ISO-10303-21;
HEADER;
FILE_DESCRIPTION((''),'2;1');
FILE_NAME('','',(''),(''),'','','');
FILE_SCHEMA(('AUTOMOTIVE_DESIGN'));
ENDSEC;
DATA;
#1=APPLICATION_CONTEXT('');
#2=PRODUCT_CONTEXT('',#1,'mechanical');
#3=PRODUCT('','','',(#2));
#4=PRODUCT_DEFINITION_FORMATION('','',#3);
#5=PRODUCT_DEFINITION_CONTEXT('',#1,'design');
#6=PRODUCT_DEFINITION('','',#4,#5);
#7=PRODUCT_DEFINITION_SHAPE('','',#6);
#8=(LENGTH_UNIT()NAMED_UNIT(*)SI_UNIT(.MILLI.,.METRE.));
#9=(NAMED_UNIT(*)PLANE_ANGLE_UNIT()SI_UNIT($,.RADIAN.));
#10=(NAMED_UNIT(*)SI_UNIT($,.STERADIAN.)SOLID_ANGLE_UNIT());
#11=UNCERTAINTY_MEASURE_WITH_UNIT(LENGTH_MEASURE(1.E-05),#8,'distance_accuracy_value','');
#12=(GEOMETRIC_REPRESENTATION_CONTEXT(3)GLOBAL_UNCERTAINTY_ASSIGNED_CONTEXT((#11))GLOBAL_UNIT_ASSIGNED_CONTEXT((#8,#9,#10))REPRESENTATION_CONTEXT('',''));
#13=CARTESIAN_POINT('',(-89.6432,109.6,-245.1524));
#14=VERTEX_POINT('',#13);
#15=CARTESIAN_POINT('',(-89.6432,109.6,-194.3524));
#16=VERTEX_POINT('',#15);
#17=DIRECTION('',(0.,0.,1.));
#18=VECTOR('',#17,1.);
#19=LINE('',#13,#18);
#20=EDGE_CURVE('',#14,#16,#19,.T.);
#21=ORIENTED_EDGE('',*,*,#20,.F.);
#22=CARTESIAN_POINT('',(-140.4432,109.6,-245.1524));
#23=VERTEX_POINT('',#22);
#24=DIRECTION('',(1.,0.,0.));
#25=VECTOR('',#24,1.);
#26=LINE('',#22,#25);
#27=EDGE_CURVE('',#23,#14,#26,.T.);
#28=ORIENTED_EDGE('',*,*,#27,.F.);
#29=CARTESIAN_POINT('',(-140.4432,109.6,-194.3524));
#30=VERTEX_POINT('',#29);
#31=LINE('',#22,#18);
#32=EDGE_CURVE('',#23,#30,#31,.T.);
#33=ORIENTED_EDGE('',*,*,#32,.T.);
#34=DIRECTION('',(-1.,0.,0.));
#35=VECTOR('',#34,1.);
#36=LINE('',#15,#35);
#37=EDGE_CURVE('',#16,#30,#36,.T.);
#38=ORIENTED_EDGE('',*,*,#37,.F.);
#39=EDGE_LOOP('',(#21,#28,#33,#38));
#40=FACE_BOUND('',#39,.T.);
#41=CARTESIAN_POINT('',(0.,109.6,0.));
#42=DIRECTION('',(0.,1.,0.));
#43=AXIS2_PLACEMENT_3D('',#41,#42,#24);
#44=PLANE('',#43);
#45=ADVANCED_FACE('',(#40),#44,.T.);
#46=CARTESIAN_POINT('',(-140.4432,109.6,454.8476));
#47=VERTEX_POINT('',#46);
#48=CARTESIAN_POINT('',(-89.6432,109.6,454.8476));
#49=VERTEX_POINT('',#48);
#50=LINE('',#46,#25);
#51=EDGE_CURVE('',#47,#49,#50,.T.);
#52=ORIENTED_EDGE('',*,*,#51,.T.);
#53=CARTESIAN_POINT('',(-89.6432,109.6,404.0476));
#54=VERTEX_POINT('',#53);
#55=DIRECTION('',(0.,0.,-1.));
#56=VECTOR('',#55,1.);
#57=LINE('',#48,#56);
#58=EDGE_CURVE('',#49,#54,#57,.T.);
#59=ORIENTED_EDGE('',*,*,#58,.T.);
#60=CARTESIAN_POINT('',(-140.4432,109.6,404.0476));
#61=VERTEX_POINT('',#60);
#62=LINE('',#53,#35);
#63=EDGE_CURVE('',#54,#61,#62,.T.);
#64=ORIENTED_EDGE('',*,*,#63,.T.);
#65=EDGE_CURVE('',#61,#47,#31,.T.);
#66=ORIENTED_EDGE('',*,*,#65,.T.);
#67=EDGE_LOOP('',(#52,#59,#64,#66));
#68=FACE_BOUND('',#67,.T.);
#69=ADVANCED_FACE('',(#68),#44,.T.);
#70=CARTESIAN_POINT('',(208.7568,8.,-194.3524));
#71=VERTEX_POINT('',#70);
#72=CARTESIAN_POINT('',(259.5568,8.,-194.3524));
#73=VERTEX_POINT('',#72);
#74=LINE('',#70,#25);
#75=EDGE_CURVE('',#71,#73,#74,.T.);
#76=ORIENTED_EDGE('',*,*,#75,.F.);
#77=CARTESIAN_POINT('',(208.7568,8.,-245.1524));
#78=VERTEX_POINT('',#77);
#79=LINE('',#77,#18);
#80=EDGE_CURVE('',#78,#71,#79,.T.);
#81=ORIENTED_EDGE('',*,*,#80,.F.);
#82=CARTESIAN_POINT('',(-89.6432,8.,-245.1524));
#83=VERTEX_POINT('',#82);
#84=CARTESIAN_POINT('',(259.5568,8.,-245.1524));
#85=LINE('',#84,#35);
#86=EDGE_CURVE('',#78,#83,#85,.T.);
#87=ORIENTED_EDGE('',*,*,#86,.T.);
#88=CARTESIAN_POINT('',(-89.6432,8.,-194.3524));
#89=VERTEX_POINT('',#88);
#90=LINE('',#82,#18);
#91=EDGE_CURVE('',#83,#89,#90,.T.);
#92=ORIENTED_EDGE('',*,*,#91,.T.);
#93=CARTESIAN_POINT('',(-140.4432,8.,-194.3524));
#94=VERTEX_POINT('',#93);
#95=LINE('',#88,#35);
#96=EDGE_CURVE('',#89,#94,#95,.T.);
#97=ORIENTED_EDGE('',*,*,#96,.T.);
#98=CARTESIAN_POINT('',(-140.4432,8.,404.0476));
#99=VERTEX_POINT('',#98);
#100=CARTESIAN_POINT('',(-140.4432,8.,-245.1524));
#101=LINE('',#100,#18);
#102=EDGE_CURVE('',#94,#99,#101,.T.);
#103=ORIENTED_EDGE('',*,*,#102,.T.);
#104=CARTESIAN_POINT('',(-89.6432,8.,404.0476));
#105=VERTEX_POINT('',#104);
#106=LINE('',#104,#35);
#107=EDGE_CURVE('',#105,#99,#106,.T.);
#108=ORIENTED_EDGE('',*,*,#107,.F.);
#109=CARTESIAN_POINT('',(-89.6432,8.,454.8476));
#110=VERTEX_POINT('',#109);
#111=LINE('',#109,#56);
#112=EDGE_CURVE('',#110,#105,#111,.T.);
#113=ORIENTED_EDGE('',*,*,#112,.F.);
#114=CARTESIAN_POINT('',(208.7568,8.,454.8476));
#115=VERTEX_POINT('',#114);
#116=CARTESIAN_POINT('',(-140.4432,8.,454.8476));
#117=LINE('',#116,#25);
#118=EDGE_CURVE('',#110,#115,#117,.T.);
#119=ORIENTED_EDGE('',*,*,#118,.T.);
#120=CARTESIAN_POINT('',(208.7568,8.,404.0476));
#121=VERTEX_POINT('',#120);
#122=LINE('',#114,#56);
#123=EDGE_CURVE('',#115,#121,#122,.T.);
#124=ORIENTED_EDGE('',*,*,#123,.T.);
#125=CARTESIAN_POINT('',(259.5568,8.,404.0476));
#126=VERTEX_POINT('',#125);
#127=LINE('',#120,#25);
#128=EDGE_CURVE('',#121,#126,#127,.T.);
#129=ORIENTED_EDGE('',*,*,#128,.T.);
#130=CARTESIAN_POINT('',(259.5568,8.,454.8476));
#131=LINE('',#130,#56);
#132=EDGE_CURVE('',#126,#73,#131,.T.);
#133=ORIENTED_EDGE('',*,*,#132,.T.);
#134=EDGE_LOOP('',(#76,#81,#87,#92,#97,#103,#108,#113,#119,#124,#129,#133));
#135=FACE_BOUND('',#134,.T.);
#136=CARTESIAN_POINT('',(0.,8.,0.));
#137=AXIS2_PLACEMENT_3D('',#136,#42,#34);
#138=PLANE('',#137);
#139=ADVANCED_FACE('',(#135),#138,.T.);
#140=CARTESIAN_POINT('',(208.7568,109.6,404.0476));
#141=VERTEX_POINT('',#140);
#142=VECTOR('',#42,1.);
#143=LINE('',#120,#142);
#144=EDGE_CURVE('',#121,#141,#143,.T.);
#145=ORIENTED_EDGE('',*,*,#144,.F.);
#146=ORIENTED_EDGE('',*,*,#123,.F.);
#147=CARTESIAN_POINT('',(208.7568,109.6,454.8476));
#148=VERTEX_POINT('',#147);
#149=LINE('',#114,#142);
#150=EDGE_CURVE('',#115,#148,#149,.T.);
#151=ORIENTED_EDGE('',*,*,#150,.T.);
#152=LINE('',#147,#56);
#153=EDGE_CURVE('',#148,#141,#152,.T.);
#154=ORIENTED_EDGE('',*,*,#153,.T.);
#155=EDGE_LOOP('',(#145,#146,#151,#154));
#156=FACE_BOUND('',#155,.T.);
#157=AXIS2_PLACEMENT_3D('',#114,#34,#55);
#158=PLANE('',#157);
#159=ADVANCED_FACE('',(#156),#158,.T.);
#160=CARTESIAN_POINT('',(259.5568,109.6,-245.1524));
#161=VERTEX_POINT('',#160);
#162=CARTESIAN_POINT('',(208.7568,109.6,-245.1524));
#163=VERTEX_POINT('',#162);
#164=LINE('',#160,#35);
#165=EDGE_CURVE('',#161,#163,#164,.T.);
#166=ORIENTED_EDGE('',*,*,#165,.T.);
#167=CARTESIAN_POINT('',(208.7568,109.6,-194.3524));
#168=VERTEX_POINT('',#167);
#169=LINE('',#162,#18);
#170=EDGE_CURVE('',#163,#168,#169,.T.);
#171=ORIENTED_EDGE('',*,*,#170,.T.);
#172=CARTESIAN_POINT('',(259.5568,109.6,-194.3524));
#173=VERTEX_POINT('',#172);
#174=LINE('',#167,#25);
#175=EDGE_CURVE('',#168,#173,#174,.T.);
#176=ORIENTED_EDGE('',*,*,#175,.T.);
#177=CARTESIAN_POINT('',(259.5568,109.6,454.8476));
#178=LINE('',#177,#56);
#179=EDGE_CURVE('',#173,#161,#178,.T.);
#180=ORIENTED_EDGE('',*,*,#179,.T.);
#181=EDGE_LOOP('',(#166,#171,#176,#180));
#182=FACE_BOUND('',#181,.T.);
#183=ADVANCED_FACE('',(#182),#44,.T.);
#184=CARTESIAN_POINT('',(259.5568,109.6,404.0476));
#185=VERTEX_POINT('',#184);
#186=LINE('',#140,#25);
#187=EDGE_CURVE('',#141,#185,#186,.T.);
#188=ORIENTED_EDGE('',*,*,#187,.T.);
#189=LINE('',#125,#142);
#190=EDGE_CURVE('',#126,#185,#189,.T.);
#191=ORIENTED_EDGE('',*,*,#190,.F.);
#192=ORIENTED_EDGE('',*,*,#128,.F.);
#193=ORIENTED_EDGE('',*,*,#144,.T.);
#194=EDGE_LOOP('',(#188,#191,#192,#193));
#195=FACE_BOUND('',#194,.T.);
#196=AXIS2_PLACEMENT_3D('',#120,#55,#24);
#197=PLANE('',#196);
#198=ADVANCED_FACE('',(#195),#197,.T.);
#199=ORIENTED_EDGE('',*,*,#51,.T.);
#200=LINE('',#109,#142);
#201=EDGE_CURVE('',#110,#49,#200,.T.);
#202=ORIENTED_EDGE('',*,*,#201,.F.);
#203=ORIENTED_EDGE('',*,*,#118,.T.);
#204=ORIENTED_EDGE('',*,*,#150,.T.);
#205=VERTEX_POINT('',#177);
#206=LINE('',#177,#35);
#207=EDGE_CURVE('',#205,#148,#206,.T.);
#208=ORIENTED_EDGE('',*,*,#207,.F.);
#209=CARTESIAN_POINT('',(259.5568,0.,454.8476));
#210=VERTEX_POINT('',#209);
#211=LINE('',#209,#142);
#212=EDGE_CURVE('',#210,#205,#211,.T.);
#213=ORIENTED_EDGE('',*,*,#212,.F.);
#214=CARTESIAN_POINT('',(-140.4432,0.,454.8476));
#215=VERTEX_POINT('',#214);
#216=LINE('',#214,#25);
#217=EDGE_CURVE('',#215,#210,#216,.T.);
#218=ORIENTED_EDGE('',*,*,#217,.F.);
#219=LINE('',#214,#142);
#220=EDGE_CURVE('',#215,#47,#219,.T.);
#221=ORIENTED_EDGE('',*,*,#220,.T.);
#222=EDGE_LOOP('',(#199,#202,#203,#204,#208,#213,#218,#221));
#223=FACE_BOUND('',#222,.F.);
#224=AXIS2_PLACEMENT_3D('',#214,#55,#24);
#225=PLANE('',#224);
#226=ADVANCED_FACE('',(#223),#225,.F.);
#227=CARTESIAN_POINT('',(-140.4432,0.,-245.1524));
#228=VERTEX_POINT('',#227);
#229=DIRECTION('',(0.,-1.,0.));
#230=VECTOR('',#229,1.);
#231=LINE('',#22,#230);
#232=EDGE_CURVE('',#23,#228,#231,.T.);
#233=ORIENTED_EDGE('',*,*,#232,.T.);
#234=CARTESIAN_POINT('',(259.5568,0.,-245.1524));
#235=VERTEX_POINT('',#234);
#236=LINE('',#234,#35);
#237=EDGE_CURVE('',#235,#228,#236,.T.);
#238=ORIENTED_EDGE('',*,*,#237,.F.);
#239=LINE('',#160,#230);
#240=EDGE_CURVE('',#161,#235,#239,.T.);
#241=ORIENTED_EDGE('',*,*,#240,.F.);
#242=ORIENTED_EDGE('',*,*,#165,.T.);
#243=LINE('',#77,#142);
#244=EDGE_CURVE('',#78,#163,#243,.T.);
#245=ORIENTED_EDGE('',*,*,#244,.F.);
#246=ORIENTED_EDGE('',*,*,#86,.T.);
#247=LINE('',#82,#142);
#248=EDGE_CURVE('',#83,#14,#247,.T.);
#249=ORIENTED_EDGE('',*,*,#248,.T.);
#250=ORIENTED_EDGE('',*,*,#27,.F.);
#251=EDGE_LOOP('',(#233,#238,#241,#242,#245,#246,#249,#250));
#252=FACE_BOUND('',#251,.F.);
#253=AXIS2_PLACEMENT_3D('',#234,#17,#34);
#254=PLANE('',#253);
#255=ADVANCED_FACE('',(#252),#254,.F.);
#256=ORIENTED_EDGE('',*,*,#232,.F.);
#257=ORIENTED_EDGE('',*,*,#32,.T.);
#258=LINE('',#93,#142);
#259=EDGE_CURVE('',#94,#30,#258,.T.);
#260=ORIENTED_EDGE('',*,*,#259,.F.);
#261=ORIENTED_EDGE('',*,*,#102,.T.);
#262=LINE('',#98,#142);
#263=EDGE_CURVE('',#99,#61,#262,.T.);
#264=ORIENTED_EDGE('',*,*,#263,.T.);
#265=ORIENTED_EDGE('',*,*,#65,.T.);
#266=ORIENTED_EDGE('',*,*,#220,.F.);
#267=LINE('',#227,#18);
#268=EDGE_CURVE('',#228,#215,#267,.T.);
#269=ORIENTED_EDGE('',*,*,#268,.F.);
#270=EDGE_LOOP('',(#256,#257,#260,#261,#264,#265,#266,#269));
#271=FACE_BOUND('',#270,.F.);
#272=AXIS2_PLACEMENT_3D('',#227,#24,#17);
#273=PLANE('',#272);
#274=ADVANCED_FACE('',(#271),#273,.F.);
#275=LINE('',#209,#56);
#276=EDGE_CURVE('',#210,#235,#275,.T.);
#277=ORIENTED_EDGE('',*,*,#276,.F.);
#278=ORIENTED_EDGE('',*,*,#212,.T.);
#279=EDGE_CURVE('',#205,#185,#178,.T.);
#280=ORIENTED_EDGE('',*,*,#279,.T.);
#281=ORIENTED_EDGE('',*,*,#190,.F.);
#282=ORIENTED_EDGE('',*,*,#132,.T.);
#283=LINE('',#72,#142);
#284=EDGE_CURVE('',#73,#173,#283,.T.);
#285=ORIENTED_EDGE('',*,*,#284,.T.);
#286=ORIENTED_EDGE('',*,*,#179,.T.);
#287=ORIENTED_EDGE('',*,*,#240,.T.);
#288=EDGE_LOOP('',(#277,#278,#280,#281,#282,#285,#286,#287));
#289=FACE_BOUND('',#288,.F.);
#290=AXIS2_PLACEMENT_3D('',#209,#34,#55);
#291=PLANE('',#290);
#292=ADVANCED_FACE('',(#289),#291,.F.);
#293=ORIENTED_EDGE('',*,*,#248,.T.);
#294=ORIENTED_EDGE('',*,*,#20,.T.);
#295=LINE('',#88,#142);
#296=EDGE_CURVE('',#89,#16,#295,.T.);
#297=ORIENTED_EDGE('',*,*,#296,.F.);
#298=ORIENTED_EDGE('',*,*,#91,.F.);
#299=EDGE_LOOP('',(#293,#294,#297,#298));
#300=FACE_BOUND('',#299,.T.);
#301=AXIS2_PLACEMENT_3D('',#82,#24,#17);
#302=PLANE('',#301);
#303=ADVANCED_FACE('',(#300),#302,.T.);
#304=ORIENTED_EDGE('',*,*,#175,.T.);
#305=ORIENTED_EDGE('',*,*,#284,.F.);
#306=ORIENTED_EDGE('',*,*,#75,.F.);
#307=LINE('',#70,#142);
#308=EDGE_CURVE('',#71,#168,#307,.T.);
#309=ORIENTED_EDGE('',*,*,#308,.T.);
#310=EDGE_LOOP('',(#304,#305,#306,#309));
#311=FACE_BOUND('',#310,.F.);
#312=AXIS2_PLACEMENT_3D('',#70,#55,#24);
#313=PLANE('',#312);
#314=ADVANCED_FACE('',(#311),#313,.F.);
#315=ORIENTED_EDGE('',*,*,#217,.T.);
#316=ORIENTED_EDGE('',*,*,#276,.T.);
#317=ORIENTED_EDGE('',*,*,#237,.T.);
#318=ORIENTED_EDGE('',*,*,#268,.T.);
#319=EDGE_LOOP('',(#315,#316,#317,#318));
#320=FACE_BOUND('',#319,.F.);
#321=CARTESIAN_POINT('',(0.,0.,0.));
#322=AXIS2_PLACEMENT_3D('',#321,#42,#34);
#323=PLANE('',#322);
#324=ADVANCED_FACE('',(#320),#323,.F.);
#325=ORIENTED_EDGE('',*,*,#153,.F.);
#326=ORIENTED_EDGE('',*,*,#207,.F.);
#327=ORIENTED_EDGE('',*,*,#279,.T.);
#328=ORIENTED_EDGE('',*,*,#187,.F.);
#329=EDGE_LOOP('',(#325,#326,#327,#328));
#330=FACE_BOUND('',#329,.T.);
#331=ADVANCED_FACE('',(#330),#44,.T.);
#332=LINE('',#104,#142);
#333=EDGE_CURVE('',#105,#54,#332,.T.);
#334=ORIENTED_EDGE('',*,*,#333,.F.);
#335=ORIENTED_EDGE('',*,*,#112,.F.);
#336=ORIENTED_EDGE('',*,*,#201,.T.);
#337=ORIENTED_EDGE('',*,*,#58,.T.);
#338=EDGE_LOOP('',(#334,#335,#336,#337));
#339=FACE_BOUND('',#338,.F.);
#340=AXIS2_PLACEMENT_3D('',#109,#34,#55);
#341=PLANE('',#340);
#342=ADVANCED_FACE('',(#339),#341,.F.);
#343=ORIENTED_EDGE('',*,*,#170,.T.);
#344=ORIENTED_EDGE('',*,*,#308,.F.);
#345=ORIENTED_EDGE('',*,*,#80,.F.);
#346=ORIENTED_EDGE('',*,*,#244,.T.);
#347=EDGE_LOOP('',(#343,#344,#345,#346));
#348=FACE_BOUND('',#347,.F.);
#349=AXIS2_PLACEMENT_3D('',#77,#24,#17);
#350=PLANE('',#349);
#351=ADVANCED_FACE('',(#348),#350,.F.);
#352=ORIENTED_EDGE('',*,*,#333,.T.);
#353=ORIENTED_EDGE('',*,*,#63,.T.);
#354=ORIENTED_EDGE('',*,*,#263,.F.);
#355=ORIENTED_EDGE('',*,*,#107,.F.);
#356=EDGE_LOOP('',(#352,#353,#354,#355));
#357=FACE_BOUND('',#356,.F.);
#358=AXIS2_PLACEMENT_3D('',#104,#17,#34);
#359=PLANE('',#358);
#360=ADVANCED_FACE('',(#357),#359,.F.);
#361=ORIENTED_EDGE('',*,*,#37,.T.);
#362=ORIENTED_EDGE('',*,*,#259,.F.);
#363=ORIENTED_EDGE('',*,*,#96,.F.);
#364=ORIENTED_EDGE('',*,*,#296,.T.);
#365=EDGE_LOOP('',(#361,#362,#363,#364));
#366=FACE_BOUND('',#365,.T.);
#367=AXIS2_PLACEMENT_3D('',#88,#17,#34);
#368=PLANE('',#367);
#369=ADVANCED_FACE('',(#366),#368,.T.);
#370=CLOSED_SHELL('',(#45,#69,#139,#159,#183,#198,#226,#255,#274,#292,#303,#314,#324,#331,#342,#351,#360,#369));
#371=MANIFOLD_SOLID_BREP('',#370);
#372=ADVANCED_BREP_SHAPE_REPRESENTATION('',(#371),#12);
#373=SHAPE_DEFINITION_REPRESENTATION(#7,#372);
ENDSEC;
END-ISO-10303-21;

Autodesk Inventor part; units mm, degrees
ref_plane "YZ Plane" through (0, 0, 0) normal (1, 0, 0) x (0, 1, 0)
ref_plane "XZ Plane" through (0, 0, 0) normal (0, 1, 0) x (-1, 0, 0)
ref_plane "XY Plane" through (0, 0, 0) normal (0, 0, 1) x (1, 0, 0)
sketch "Sketch1" plane through (0, 0, 0) normal (0, 1, 0) x (-1, 0, 0)
  line L0 (140.4432, 454.8476) -> (-259.5568, 454.8476)
  line L1 (-259.5568, 454.8476) -> (-259.5568, -245.1524)
  line L2 (-259.5568, -245.1524) -> (140.4432, -245.1524)
  line L3 (140.4432, -245.1524) -> (140.4432, 454.8476)
  point P0 (0, 0)
  dimension "d0" = 700
  dimension "d1" = 400
extrude "Extrusion1" add sketch "Sketch1" along normal blind 8
sketch "Sketch2" plane through (0, 8, 0) normal (0, 1, 0) x (1, 0, 0)
  line L0 (-140.4432, 245.1524) -> (-140.4432, -454.8476) projected
  line L1 (-140.4432, -454.8476) -> (-89.6432, -454.8476)
  line L2 (-89.6432, -454.8476) -> (-89.6432, -404.0476)
  line L3 (-89.6432, -404.0476) -> (-140.4432, -404.0476)
  line L4 (-140.4432, -404.0476) -> (-140.4432, -454.8476)
  line L5 (259.5568, -454.8476) -> (259.5568, 245.1524) projected
  line L6 (259.5568, -454.8476) -> (208.7568, -454.8476)
  line L7 (208.7568, -454.8476) -> (208.7568, -404.0476)
  line L8 (208.7568, -404.0476) -> (259.5568, -404.0476)
  line L9 (259.5568, -404.0476) -> (259.5568, -454.8476)
  line L10 (259.5568, 245.1524) -> (208.7568, 245.1524)
  line L11 (208.7568, 245.1524) -> (208.7568, 194.3524)
  line L12 (208.7568, 194.3524) -> (259.5568, 194.3524)
  line L13 (259.5568, 194.3524) -> (259.5568, 245.1524)
  line L14 (-140.4432, 245.1524) -> (-89.6432, 245.1524)
  line L15 (-89.6432, 245.1524) -> (-89.6432, 194.3524)
  line L16 (-89.6432, 194.3524) -> (-140.4432, 194.3524)
  line L17 (-140.4432, 194.3524) -> (-140.4432, 245.1524)
  point P0 (0, 0)
  point P1 (259.5568, -404.0476)
  dimension "d4" = 50.8
  dimension "d5" = 50.8
  dimension "d6" = 50.8
  dimension "d7" = 50.8
  dimension "d8" = 50.8
  dimension "d9" = 50.8
  dimension "d10" = 50.8
extrude "Extrusion2" add sketch "Sketch2" along normal blind 101.6
properties part number "board" material "Wood (Birch)"
